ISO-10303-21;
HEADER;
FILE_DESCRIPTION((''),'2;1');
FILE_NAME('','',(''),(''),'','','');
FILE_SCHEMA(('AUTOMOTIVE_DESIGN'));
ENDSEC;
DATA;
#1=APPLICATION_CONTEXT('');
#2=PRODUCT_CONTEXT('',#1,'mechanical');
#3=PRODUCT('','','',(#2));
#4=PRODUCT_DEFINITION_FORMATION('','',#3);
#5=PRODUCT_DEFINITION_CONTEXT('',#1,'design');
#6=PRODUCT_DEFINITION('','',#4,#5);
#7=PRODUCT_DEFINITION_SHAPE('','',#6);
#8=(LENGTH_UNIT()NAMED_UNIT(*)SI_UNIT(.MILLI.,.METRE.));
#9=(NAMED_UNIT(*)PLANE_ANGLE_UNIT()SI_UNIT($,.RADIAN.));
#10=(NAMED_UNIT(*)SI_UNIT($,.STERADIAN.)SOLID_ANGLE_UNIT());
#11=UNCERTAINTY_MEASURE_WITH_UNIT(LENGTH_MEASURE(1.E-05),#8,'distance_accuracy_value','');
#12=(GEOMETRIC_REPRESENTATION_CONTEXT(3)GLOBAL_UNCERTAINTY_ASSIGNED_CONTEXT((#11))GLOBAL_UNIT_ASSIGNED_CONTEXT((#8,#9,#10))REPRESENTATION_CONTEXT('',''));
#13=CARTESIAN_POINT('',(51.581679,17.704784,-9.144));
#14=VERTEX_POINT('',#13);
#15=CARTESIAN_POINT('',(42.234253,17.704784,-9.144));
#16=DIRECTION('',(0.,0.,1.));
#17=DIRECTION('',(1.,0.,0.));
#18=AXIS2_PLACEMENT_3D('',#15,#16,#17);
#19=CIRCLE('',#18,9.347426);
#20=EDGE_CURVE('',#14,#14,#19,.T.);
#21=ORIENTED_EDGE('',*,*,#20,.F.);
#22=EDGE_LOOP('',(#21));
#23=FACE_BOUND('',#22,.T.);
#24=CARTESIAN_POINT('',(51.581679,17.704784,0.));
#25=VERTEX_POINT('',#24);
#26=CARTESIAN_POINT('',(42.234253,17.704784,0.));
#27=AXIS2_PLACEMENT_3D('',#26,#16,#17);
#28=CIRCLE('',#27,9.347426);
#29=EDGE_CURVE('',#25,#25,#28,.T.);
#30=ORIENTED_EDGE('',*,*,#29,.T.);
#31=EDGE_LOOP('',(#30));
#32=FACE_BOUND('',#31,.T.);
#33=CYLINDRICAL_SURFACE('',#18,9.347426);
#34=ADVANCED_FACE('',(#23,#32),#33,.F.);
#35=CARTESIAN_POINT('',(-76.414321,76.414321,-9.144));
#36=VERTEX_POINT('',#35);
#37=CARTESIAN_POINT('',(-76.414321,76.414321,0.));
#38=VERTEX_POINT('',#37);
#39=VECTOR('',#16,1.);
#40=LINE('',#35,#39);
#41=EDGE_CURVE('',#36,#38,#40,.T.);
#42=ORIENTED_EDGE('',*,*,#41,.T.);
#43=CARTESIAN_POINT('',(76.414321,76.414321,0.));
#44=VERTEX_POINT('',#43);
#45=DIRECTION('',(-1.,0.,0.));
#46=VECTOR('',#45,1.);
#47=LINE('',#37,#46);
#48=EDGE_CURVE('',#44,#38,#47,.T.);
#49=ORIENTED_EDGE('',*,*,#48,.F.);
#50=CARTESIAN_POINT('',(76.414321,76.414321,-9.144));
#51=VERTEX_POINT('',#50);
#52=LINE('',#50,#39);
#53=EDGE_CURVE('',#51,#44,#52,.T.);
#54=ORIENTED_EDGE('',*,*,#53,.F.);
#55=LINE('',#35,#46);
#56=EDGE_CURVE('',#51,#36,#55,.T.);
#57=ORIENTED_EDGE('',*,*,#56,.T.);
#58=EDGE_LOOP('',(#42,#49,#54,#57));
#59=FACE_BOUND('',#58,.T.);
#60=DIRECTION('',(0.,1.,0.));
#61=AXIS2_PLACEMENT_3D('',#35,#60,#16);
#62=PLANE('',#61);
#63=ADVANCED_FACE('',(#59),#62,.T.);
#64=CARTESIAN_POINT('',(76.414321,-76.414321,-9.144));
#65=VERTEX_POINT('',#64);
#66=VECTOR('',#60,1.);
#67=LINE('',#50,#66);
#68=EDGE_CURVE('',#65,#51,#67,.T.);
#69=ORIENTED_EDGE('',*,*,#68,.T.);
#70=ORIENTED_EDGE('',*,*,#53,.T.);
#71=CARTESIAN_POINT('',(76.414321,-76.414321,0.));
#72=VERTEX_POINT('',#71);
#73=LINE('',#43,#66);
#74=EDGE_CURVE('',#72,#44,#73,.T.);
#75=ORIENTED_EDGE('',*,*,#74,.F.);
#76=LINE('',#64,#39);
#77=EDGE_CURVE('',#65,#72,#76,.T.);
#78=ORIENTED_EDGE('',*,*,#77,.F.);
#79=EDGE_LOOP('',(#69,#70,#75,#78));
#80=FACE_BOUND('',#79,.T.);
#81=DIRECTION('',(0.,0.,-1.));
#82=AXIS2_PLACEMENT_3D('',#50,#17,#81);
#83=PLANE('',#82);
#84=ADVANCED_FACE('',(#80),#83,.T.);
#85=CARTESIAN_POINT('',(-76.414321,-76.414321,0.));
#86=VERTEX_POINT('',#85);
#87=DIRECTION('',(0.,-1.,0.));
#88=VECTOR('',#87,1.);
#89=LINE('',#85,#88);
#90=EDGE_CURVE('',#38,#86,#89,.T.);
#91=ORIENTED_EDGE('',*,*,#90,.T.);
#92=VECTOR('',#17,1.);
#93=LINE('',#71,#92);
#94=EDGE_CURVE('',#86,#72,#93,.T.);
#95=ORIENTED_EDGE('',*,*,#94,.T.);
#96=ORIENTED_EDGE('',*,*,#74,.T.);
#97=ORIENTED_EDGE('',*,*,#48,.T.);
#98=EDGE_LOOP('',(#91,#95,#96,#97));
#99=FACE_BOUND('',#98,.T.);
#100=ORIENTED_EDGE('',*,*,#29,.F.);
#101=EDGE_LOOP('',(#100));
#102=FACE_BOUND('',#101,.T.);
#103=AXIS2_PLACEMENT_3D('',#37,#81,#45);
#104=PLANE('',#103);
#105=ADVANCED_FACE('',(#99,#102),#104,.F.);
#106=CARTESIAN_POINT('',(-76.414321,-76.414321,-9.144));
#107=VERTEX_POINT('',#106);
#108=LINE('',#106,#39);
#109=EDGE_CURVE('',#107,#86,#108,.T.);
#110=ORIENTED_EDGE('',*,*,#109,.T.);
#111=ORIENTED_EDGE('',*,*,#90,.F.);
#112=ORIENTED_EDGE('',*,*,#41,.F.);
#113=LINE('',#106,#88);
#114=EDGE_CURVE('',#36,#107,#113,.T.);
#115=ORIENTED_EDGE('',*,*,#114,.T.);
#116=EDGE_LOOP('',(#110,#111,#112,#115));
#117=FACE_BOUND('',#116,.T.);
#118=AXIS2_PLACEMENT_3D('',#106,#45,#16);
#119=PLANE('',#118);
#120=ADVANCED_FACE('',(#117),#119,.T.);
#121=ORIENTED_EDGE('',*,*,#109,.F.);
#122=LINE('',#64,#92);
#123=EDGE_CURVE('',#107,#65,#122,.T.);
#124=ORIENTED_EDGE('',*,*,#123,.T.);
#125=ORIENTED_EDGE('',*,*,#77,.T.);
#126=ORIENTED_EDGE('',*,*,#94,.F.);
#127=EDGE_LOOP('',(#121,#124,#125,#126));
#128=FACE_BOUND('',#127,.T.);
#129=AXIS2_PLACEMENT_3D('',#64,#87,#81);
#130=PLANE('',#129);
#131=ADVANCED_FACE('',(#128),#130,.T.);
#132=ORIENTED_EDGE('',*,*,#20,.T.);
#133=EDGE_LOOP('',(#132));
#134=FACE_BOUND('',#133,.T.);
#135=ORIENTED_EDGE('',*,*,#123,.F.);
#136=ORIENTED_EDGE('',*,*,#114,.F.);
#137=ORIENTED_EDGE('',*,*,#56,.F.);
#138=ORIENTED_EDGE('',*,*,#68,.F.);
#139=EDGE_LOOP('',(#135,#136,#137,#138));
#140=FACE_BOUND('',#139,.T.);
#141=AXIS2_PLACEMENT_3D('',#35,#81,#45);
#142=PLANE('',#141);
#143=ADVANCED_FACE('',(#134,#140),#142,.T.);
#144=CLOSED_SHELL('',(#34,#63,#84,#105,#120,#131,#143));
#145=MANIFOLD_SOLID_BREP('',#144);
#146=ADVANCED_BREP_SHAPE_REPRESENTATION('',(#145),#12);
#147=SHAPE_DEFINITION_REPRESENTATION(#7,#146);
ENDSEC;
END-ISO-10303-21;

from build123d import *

# Parameters (mm, degrees)
SKETCH1_W      = 152.828642472
SKETCH1_H      = 152.828642472
SKETCH1_R      = 9.347426307
EXTRUDE1_DEPTH = 9.144


with BuildPart() as part:
    # Sketch1 → Extrude1 (new body)
    with BuildSketch(Plane.XY):
        Rectangle(SKETCH1_W, SKETCH1_H)
        with Locations((42.234252899, 17.704783599)):
            Circle(SKETCH1_R, mode=Mode.SUBTRACT)
    extrude(amount=-EXTRUDE1_DEPTH)


solid = part.part
